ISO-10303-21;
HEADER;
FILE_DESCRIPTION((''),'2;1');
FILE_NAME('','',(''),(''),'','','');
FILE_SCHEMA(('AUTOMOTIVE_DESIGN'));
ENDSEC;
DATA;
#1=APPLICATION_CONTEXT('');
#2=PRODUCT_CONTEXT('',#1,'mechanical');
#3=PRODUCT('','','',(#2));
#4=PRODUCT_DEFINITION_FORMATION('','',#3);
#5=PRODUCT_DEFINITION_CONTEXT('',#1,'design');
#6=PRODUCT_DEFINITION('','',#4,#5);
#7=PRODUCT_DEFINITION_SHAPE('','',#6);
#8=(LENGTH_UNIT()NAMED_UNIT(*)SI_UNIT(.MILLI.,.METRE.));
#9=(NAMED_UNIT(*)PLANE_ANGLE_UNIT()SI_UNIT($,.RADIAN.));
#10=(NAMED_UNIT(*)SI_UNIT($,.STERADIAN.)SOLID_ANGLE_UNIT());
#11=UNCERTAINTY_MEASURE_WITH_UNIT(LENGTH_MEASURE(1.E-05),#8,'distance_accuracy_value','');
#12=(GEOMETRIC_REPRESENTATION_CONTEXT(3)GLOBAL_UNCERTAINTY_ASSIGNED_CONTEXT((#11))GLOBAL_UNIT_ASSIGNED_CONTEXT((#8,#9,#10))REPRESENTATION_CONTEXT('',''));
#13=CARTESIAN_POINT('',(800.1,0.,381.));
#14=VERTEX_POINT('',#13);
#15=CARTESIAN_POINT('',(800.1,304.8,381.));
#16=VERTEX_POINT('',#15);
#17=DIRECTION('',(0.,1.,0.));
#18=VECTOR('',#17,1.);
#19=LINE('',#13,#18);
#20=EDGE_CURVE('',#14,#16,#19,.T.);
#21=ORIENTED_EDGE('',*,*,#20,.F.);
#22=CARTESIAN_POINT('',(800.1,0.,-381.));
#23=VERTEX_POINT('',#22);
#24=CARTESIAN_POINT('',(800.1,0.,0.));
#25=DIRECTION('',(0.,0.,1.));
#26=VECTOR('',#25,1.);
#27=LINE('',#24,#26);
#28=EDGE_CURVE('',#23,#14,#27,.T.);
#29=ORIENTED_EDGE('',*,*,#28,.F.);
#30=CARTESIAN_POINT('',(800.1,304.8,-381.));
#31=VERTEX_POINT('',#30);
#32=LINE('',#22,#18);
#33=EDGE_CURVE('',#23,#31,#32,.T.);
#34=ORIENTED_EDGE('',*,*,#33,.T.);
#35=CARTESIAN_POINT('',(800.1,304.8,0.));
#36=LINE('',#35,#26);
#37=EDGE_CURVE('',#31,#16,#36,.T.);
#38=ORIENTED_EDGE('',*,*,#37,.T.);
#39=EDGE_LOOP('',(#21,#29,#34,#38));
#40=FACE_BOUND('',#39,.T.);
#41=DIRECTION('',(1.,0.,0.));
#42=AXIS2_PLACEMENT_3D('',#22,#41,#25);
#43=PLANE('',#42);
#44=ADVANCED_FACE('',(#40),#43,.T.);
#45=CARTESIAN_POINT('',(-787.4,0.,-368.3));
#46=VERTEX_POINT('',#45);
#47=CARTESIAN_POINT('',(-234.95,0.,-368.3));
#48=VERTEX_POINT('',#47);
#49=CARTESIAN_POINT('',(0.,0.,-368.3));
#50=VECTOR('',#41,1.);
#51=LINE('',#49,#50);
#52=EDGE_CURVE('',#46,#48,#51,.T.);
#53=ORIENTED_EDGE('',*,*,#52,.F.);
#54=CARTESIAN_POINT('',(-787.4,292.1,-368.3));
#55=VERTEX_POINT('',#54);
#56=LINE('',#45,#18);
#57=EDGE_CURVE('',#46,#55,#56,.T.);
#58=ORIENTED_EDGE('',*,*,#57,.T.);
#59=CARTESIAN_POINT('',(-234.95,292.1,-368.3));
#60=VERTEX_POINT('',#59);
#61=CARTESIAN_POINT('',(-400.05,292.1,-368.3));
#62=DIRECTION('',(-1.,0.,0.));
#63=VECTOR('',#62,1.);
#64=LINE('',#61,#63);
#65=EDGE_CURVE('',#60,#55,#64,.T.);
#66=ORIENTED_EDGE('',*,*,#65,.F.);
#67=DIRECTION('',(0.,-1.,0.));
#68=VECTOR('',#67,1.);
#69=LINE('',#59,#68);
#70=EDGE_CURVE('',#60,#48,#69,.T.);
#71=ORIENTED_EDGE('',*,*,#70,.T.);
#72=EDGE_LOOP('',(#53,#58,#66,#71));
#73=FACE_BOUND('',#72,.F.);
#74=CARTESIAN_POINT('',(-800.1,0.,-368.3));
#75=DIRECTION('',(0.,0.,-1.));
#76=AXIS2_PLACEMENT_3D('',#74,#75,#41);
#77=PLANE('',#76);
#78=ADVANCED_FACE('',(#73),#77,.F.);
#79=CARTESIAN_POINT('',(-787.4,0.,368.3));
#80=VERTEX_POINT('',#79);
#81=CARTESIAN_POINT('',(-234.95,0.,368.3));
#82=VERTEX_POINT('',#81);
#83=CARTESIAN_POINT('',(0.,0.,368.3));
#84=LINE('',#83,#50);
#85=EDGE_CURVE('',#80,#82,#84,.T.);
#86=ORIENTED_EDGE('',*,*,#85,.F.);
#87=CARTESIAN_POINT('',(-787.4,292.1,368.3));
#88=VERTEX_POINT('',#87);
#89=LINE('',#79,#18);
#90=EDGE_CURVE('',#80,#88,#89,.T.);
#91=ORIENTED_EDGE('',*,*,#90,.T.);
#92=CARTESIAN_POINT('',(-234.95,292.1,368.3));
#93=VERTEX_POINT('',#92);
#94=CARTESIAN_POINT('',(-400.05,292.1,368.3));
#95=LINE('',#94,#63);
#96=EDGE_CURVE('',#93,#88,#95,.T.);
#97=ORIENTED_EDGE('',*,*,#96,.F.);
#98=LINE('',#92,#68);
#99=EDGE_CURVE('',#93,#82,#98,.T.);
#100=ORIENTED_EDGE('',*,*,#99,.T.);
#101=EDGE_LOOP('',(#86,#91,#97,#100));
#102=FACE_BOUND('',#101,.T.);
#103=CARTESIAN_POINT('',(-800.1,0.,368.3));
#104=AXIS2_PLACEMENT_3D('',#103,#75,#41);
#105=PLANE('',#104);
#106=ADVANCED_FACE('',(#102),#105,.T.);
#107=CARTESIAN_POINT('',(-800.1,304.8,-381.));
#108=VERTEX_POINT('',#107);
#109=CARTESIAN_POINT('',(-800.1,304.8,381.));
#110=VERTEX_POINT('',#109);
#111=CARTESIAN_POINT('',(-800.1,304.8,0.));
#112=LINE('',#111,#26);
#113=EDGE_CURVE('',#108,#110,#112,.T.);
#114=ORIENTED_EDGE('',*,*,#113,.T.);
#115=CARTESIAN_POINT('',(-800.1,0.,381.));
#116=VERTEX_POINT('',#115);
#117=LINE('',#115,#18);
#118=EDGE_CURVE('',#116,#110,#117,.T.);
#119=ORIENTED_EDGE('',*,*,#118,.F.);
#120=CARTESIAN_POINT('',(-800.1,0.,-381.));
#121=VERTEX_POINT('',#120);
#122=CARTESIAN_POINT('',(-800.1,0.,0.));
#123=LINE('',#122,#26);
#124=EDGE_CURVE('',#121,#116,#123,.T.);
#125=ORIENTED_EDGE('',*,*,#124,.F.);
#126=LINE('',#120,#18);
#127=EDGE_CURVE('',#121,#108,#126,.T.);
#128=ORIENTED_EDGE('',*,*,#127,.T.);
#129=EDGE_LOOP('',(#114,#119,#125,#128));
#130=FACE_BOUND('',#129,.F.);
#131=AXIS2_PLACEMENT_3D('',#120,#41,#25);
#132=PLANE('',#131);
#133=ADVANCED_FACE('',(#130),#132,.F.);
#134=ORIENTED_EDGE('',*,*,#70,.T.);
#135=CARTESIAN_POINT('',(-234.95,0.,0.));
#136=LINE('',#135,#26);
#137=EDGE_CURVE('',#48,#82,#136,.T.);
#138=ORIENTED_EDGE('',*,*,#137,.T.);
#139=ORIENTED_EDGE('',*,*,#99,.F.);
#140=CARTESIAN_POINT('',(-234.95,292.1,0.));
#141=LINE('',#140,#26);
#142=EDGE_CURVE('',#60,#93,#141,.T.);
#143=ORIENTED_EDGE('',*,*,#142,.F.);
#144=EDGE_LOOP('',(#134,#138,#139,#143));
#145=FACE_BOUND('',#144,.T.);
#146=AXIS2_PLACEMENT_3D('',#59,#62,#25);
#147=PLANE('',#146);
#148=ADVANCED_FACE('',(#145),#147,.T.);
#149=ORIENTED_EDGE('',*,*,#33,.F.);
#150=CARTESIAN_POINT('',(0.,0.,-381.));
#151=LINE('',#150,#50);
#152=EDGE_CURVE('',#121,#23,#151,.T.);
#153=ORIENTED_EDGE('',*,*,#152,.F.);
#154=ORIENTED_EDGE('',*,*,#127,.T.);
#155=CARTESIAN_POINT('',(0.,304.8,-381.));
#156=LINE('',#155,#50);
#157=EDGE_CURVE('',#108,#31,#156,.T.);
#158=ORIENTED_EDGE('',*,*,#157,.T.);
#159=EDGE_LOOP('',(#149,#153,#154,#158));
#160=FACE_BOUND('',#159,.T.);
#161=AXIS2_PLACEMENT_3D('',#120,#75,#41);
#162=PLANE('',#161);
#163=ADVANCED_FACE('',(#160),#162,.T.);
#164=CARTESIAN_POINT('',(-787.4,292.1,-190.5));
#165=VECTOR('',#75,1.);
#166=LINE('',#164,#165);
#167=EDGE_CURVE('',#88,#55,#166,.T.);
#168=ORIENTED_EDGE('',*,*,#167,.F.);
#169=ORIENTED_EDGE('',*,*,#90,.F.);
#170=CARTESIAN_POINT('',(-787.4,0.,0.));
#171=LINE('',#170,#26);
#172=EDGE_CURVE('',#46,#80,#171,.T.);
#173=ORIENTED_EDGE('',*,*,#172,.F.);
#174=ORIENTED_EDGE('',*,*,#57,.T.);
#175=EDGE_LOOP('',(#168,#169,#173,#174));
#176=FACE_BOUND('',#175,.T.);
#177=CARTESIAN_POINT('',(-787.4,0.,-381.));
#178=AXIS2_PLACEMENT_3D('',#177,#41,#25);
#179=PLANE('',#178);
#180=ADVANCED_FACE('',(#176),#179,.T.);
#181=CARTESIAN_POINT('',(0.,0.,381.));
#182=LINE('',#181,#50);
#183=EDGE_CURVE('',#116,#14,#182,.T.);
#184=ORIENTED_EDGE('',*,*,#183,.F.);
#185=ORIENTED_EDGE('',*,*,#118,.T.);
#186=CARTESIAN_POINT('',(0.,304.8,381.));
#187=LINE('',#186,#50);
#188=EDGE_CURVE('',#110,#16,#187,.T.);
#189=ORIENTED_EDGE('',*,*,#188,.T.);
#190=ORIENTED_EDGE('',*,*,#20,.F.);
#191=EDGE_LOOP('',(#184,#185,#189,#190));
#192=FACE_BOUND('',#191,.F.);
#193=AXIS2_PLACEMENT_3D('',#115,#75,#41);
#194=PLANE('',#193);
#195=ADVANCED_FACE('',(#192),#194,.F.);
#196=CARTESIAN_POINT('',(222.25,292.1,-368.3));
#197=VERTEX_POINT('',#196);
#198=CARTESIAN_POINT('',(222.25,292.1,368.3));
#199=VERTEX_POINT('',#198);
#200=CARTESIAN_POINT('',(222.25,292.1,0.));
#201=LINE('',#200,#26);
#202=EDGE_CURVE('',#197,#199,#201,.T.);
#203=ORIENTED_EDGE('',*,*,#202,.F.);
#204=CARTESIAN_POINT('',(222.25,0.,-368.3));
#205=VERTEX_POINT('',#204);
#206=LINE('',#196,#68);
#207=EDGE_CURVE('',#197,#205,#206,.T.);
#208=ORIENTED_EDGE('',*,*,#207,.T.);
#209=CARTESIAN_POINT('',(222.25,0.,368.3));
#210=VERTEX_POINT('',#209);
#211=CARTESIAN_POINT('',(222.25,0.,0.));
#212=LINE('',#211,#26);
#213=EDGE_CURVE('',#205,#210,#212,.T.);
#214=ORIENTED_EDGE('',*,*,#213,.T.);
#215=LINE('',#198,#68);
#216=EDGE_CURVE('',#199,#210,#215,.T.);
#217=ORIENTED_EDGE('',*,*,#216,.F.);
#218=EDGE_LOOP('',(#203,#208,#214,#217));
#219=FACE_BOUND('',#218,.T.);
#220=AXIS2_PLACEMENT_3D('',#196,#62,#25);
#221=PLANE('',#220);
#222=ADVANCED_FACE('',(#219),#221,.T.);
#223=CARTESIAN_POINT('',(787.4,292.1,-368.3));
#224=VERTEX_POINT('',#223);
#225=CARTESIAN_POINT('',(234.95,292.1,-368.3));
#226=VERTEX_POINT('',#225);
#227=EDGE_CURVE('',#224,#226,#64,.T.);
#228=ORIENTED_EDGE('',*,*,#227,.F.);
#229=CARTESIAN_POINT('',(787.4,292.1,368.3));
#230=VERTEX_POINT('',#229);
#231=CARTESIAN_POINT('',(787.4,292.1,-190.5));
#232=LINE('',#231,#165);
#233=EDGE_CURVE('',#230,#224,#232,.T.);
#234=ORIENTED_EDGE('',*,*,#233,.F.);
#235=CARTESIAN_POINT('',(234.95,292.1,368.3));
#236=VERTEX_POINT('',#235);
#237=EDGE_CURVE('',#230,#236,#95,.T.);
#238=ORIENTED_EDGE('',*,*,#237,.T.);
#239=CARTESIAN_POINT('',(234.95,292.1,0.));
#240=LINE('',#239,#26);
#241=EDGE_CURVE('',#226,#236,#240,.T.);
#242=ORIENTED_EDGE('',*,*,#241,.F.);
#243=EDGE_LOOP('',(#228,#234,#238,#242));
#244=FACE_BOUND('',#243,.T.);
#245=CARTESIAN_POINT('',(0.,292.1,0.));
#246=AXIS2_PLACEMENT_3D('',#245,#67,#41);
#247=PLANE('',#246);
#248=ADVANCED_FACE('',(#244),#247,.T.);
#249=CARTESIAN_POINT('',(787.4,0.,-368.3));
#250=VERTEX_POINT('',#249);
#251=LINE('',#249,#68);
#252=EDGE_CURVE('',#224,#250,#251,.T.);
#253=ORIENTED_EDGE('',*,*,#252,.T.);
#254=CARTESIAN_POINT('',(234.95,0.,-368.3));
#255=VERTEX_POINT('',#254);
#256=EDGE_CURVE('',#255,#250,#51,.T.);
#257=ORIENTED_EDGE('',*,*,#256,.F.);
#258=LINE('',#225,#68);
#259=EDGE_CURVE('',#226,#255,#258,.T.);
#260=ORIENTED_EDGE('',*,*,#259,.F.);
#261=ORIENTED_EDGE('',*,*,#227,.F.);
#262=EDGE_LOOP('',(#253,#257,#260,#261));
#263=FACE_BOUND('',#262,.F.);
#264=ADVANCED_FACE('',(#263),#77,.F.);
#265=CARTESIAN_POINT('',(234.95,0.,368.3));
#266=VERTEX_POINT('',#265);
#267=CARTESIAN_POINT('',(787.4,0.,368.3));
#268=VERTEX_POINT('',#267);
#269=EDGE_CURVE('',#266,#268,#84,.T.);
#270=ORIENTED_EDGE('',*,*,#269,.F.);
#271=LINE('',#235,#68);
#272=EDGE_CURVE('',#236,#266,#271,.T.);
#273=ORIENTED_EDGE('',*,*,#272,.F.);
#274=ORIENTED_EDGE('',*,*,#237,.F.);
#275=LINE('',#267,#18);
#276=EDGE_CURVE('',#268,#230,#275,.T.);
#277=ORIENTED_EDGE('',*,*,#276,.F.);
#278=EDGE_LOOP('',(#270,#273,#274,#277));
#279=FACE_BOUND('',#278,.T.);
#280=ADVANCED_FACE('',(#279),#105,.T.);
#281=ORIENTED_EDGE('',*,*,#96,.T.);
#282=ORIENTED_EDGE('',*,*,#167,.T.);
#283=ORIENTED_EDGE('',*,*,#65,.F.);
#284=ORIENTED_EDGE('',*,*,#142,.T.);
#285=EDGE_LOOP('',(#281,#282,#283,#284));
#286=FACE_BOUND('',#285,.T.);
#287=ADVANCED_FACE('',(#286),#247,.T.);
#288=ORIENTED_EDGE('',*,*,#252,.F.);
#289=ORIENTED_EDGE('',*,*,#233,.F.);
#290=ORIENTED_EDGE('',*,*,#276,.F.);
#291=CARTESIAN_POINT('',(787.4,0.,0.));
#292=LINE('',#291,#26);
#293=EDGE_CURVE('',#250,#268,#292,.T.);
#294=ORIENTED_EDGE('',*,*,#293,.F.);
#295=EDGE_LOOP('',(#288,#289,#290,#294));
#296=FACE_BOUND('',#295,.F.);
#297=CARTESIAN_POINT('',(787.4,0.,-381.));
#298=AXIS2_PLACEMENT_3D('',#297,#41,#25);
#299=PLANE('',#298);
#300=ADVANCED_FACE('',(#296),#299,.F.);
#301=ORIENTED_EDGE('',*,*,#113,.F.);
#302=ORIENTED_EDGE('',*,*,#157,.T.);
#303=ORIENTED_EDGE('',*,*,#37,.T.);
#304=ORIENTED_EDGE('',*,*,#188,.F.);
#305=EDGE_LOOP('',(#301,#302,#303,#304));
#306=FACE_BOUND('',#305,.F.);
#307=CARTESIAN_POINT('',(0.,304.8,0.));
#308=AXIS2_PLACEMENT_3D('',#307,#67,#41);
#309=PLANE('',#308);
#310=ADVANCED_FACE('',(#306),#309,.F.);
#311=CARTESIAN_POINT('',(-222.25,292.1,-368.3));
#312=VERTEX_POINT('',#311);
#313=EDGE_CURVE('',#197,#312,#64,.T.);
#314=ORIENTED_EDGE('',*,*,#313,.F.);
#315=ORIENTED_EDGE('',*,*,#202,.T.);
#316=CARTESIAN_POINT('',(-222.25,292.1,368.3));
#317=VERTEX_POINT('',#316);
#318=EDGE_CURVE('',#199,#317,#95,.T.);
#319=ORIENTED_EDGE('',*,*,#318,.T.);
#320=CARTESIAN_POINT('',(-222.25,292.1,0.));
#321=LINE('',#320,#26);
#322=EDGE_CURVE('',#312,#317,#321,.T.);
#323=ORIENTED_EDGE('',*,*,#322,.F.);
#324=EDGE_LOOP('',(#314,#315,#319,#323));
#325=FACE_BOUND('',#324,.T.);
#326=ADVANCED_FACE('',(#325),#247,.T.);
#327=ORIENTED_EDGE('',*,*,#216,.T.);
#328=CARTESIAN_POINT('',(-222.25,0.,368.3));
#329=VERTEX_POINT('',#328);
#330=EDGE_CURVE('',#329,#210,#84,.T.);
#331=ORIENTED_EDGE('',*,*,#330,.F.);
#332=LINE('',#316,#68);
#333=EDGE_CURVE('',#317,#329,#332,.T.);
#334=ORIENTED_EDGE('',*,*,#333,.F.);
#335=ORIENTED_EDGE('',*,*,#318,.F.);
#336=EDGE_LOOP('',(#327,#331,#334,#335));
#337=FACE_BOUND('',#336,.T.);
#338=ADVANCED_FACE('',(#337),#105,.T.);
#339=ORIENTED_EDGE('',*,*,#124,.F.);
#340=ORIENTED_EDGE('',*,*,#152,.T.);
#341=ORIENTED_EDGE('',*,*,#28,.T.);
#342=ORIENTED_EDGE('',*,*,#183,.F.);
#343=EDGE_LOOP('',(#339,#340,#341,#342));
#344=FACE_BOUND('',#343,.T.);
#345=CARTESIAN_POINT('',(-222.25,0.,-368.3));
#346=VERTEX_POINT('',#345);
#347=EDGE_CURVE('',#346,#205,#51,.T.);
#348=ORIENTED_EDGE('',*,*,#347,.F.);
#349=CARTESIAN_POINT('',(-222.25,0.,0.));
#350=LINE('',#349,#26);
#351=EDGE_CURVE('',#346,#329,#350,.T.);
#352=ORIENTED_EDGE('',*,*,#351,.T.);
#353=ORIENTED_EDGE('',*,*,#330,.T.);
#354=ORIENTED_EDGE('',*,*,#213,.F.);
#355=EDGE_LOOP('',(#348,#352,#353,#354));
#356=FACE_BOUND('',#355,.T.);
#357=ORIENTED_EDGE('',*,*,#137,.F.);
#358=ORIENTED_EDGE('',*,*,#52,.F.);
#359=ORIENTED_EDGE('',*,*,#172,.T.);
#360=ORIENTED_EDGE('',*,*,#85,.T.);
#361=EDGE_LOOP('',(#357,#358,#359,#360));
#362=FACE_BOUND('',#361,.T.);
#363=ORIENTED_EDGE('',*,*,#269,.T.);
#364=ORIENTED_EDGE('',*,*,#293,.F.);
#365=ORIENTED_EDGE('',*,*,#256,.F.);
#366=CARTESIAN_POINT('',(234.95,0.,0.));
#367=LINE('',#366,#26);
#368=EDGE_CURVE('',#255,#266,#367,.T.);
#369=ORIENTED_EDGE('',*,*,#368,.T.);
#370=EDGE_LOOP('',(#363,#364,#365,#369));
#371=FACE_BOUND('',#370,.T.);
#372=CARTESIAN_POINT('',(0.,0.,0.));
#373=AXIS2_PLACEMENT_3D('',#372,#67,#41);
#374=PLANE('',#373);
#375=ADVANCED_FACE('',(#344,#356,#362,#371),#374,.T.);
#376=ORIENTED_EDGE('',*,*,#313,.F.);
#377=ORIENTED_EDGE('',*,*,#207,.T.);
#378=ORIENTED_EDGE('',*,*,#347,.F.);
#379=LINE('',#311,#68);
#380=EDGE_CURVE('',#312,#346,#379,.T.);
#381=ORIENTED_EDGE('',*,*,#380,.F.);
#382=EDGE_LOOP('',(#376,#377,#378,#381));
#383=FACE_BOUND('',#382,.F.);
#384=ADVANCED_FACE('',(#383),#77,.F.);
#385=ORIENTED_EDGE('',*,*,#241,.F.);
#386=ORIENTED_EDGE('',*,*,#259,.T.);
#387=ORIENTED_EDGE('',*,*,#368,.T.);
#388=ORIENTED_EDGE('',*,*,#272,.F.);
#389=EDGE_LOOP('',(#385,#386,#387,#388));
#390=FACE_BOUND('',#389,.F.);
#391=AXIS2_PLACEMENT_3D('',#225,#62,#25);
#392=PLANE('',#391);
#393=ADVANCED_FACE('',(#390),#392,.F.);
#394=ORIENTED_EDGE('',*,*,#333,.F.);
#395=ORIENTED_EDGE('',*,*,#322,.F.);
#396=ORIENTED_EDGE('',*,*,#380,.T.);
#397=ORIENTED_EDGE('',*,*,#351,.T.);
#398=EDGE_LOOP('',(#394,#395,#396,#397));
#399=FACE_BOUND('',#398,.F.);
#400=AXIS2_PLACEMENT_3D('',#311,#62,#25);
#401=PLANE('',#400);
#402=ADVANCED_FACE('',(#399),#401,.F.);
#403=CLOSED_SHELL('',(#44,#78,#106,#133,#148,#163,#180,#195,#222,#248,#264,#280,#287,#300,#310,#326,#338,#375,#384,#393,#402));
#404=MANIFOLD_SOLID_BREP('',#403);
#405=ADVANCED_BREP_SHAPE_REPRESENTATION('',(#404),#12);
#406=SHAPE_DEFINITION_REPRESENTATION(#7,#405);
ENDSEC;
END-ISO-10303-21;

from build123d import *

# Parameters (mm, degrees)
F0_W     = 1600.2
F0_H     = 762
F1_DEPTH = 304.8
F2_T     = -12.7
F3_W     = 12.7
F3_H     = 736.6
F4_DEPTH = 292.1


with BuildPart() as f1:
    # F0 (on Front) → F1 (new body)
    with BuildSketch(Plane.XZ):
        Rectangle(F0_W, F0_H)
    extrude(amount=-F1_DEPTH)

    # F2
    f2_openings = [f1.faces().sort_by_distance(p)[0] for p in [
        (0, 0, 0),
    ]]
    offset(amount=F2_T, openings=f2_openings)

    # F3 (on face) → F4 (join)
    with BuildSketch(Plane.XZ.offset(-292.1)):
        with Locations((-228.6, 0)):
            Rectangle(F3_W, F3_H)
        with Locations((228.6, 0)):
            Rectangle(F3_W, F3_H)
    extrude(amount=F4_DEPTH)


solid = f1.part
